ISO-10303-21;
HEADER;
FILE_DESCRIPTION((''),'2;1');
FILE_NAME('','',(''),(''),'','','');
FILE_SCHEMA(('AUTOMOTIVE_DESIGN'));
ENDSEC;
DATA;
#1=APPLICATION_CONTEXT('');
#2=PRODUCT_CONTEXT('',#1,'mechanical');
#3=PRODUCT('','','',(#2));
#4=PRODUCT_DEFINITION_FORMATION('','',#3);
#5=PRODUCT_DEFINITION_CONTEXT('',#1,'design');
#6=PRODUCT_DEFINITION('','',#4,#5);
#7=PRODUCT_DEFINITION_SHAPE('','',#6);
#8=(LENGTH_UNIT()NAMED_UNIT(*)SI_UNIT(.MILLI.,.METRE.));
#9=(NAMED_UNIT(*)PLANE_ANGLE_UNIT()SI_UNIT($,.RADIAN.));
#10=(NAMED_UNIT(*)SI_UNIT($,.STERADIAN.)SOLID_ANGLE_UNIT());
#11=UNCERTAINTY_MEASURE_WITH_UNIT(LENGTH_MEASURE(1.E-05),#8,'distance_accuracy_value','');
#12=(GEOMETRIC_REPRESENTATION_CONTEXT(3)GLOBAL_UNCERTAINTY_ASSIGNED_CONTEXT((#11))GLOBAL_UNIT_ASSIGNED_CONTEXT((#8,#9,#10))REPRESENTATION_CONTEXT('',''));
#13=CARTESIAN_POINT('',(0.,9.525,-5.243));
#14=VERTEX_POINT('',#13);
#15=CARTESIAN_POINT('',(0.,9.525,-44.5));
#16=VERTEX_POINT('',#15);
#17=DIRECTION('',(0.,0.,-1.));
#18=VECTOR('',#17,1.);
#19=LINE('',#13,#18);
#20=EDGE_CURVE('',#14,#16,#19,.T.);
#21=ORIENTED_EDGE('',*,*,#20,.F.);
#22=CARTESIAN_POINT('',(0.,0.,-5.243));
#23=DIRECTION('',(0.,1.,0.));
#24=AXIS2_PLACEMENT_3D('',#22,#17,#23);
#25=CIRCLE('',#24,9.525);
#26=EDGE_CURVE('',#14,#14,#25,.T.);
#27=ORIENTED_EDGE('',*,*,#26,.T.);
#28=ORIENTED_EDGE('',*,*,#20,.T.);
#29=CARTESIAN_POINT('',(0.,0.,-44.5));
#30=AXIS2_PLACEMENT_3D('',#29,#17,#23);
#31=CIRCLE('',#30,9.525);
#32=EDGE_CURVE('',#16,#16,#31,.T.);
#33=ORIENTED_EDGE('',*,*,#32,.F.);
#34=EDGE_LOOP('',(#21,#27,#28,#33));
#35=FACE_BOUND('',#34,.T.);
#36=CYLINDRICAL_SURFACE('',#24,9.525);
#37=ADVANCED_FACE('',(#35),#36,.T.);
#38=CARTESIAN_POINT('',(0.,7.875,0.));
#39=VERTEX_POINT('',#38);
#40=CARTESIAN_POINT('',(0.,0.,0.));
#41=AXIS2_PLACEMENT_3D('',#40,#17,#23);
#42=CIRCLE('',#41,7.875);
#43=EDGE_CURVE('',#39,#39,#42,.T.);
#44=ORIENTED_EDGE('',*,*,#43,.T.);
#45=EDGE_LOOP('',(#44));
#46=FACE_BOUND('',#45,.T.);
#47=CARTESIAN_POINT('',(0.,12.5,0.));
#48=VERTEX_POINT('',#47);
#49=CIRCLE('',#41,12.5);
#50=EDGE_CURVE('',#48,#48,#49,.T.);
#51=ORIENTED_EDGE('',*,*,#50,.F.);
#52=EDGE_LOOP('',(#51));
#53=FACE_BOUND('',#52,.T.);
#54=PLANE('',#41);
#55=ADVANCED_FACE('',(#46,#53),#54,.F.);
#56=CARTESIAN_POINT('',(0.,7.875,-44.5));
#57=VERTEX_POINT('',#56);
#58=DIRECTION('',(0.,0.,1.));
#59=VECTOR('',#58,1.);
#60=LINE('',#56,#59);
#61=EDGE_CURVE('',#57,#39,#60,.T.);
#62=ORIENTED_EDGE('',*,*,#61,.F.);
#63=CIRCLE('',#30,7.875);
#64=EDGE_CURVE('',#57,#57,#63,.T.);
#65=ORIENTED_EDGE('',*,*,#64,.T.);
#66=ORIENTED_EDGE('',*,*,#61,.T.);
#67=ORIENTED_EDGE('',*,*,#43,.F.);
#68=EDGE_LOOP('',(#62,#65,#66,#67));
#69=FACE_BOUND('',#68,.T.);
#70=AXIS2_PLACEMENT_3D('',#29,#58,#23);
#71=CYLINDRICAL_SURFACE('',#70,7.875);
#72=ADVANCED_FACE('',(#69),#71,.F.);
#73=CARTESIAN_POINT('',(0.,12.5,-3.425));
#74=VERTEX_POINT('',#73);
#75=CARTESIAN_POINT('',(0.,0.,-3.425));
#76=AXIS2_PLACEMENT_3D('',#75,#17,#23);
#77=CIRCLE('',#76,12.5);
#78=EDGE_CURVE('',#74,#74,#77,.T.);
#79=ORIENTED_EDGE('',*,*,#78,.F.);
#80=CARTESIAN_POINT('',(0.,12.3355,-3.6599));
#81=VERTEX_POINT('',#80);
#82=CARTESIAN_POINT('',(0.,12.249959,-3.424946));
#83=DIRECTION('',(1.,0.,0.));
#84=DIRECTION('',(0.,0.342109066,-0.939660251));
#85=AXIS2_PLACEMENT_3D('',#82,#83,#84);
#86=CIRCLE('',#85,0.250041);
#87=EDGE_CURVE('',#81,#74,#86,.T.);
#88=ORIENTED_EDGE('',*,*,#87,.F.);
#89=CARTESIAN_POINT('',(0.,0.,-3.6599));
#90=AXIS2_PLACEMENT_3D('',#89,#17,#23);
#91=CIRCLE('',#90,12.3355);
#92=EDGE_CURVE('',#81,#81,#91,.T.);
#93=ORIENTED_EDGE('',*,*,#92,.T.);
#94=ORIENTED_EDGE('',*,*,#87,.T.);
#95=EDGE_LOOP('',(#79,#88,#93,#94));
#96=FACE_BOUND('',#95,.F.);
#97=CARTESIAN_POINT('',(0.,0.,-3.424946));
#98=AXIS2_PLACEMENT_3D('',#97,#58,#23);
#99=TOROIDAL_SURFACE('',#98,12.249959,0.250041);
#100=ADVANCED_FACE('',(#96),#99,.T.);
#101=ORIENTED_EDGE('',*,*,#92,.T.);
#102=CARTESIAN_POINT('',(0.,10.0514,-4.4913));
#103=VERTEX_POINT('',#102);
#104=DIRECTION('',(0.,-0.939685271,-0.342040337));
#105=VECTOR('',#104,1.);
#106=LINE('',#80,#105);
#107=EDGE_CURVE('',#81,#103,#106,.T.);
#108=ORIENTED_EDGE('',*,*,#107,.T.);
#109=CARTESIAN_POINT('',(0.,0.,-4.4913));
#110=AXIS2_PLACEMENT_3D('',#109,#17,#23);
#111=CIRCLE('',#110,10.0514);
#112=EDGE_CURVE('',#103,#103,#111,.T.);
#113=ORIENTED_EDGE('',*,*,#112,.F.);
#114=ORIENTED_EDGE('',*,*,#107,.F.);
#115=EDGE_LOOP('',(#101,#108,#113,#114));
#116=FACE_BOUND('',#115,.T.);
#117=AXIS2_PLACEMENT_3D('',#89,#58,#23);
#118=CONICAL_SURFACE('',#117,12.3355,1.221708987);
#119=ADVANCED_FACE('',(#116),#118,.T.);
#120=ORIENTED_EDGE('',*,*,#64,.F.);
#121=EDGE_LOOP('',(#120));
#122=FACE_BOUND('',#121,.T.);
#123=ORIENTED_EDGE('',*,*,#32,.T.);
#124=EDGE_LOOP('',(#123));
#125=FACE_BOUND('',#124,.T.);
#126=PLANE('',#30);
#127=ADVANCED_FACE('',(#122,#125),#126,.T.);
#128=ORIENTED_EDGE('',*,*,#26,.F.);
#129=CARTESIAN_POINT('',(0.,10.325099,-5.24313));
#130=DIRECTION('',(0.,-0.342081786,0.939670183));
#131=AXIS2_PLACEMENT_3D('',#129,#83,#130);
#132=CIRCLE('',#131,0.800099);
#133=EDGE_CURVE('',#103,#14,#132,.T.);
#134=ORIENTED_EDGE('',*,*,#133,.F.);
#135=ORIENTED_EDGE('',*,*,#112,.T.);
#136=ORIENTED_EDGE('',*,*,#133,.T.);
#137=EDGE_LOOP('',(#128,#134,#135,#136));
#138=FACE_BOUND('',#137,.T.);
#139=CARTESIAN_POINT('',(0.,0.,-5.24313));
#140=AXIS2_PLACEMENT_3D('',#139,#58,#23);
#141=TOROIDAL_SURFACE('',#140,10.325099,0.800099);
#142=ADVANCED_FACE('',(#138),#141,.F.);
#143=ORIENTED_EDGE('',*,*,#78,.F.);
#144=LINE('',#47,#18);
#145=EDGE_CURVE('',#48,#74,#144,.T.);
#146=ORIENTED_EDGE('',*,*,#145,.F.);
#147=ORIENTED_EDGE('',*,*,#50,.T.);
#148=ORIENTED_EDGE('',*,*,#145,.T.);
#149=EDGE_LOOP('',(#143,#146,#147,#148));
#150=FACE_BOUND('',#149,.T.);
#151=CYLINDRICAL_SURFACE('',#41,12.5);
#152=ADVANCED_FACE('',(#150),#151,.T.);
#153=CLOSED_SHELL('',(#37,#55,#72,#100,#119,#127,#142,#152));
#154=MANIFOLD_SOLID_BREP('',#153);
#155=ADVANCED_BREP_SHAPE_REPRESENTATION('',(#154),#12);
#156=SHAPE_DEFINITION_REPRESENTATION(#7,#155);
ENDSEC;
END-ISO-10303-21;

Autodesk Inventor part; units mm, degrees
ref_plane "YZ Plane" through (0, 0, 0) normal (1, 0, 0) x (0, 1, 0)
ref_plane "XZ Plane" through (0, 0, 0) normal (0, 1, 0) x (-1, 0, 0)
ref_plane "XY Plane" through (0, 0, 0) normal (0, 0, 1) x (1, 0, 0)
sketch "Sketch2" plane through (0, 0, 0) normal (1, 0, 0) x (0, 1, 0)
  line L0 (0, 0) -> (0, -44.5)
  line L1 (7.875, -44.5) -> (7.875, 0)
  line L2 (7.875, 0) -> (12.5, 0)
  line L3 (12.5, 0) -> (12.5, -3.425)
  line L4 (12.3355, -3.6599) -> (10.0514, -4.4913)
  line L5 (9.525, -5.243) -> (9.525, -44.5)
  line L6 (9.525, -44.5) -> (7.875, -44.5)
  arc A0 (12.3355, -3.6599) -> (12.5, -3.425) centre (12.25, -3.425) ccw
  arc A1 (10.0514, -4.4913) -> (9.525, -5.243) centre (10.325, -5.243) ccw
  dimension "OD" = 19.05
  dimension "THW" = 1.65
  dimension "L" = 44.5
  dimension "d3" = 25
  dimension "d4" = 0.25
  dimension "d5" = 3.425
  dimension "d6" = 0.8
  dimension "d7" = 20
revolve "Revolution1" add sketch "Sketch2" angle 360 about axis through (0, 0, 0) along (0, 0, -1)
properties part number "Ferrule-19.05" material "Stainless Steel, 316L"
